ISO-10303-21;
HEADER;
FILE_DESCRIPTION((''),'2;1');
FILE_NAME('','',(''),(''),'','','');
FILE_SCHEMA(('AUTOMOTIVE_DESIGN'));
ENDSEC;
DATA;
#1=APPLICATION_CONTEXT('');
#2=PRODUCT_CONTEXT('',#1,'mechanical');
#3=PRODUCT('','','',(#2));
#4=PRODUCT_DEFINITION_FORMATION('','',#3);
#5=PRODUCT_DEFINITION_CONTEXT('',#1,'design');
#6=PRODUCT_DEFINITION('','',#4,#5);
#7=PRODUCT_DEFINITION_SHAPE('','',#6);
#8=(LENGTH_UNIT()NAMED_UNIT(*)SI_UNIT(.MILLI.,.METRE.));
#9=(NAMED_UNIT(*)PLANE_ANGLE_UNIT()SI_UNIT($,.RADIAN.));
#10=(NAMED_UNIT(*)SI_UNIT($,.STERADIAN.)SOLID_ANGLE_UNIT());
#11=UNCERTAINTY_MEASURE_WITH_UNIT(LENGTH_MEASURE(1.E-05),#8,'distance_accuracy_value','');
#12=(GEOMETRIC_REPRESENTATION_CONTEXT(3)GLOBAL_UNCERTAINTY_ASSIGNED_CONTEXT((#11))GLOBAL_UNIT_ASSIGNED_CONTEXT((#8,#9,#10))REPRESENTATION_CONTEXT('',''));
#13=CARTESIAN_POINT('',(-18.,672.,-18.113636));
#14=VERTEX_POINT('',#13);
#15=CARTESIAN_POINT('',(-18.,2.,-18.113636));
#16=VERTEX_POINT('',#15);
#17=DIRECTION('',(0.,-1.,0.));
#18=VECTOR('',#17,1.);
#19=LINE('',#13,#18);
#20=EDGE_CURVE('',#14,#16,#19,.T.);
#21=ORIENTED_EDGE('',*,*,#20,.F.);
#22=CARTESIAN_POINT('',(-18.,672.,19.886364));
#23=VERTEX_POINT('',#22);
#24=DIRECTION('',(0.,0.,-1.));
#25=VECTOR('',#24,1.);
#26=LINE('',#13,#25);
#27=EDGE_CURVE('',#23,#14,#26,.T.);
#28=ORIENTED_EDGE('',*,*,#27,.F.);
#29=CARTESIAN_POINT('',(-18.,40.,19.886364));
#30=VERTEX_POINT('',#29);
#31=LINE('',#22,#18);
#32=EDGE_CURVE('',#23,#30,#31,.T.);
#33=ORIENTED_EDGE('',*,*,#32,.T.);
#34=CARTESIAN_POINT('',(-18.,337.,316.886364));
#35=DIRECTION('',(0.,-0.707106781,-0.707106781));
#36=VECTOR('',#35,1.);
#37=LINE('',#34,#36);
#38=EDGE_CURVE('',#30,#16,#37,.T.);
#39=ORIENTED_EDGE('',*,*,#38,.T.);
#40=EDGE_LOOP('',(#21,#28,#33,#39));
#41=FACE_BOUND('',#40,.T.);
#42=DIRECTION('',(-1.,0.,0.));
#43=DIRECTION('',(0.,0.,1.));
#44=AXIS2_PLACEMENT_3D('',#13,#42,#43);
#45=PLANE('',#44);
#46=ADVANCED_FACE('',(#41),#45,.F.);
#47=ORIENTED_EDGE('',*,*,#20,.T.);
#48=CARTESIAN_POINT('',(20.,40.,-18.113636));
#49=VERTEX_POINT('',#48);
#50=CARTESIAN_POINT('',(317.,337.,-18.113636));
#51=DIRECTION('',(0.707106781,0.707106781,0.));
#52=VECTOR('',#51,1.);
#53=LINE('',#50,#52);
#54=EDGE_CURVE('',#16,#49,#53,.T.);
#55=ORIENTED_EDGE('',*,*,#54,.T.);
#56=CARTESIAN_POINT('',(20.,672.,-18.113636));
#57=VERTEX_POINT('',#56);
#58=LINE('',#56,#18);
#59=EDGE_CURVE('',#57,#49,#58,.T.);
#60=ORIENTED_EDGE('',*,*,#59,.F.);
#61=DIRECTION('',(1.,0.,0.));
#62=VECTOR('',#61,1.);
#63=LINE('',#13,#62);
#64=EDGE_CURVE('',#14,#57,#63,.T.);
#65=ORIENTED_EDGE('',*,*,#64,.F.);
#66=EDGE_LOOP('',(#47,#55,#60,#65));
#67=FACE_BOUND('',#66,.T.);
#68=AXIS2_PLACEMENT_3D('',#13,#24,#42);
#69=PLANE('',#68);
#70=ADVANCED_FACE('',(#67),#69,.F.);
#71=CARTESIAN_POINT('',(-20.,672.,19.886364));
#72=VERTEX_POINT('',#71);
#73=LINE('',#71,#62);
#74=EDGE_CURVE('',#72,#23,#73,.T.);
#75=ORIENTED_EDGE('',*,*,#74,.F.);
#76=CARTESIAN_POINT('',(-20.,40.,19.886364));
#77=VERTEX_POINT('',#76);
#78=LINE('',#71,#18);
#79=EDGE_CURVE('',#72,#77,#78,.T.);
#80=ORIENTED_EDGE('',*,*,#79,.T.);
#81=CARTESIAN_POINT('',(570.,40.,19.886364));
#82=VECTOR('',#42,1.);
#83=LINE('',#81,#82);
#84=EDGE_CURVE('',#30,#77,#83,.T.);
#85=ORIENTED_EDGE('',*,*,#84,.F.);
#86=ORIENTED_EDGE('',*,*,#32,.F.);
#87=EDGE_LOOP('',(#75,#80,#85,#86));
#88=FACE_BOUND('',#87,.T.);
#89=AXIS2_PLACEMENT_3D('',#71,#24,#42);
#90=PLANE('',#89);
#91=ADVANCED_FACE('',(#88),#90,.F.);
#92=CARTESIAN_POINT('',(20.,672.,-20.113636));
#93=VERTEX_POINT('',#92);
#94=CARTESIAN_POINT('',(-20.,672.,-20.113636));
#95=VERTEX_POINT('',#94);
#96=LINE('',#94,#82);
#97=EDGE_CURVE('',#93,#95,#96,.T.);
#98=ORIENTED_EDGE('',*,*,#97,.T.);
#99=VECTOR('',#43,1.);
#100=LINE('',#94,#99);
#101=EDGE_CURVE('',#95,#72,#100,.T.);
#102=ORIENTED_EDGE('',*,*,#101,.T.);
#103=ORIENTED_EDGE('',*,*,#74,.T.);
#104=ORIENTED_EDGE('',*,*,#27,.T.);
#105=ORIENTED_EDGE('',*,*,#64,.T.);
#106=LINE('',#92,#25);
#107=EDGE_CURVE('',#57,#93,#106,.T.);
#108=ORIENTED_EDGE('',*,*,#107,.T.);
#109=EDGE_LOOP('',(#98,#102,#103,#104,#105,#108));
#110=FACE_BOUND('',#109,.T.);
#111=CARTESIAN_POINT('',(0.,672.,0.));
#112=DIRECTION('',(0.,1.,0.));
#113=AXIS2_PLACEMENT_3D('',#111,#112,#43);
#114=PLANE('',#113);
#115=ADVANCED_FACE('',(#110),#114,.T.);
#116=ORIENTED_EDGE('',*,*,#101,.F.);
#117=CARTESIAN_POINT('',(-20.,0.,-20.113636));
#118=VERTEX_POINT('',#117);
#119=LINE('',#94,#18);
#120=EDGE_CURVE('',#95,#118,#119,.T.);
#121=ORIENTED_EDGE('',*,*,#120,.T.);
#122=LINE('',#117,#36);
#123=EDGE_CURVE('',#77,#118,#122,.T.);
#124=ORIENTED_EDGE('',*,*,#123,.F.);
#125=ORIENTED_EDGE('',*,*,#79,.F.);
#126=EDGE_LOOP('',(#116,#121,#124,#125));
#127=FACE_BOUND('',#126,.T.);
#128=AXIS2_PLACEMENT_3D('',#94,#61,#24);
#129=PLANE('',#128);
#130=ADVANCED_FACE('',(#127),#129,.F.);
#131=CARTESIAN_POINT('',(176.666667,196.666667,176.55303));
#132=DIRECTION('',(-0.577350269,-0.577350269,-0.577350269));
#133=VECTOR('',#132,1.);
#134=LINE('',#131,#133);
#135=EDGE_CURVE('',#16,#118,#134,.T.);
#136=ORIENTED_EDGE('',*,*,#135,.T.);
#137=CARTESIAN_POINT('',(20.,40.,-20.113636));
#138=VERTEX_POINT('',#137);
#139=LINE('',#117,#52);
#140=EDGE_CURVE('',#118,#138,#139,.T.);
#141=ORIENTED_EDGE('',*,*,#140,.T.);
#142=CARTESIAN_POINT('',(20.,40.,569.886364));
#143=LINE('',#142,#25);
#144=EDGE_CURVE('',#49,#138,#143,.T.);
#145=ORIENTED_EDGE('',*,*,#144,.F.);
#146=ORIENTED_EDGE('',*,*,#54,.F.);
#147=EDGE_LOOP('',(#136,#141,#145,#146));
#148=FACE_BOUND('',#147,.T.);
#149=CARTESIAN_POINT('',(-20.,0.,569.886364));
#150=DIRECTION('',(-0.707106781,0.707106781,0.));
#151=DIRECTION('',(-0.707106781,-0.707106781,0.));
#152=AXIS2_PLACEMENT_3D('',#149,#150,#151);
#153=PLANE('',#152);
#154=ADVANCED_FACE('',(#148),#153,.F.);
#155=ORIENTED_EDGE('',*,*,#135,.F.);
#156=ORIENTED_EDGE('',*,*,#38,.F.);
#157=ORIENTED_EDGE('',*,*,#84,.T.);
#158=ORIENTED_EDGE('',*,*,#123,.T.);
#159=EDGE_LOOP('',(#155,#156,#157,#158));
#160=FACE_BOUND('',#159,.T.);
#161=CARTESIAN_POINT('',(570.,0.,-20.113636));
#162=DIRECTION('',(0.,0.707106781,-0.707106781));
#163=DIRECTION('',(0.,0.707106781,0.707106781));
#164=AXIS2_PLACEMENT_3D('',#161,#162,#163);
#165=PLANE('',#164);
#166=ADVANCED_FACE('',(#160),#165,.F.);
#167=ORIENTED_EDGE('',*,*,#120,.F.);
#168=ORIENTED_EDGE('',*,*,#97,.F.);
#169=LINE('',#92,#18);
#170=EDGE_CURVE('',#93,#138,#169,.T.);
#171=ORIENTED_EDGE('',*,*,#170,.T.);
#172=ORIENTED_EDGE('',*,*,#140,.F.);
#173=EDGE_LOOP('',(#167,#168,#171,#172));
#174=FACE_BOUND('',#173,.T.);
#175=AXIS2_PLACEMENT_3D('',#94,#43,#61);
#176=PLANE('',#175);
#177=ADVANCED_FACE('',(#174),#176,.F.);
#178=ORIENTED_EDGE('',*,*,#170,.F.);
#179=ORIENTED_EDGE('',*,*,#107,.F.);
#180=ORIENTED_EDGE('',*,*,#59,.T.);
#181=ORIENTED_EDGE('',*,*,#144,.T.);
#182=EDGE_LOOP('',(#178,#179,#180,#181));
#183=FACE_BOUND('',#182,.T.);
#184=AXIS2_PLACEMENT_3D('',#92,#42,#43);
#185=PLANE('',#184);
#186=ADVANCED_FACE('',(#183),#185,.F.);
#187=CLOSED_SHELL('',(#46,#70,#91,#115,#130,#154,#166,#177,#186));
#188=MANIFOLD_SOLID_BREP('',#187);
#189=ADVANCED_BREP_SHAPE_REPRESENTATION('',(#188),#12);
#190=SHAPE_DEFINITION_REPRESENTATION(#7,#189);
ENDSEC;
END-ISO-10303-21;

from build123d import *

# Parameters (mm, degrees)
BOSS_EXTRU_1_DEPTH      = 672
ENL_V_MAT_EXTRU_1_DEPTH = 590
ENL_V_MAT_EXTRU_2_DEPTH = 590


with BuildPart() as part:
    # Esquisse1 → Boss.-Extru.1 (new body)
    with BuildSketch(Plane(origin=(0, 0, 0), x_dir=(1, 0, 0), z_dir=(0, 1, 0))):
        Polygon((-20, 20.113636364), (20, 20.113636364), (20, 18.113636364), (-18, 18.113636364), (-18, -19.886363636), (-20, -19.886363636), align=None)
    extrude(amount=BOSS_EXTRU_1_DEPTH)

    # Esquisse2 → Enlèv. mat.-Extru.1 (cut)
    with BuildSketch(Plane(origin=(0, 0, -20.113636364), x_dir=(-1, 0, 0), z_dir=(0, 0, -1))):
        Polygon((20, 0), (-20, 40), (-20, 0), align=None)
    extrude(amount=-ENL_V_MAT_EXTRU_1_DEPTH, mode=Mode.SUBTRACT)

    # Esquisse3 → Enlèv. mat.-Extru.2 (cut)
    with BuildSketch(Plane.ZY.offset(20)):
        Polygon((-20.113636364, 0), (19.886363636, 40), (19.886363636, 0), align=None)
    extrude(amount=-ENL_V_MAT_EXTRU_2_DEPTH, mode=Mode.SUBTRACT)


solid = part.part
